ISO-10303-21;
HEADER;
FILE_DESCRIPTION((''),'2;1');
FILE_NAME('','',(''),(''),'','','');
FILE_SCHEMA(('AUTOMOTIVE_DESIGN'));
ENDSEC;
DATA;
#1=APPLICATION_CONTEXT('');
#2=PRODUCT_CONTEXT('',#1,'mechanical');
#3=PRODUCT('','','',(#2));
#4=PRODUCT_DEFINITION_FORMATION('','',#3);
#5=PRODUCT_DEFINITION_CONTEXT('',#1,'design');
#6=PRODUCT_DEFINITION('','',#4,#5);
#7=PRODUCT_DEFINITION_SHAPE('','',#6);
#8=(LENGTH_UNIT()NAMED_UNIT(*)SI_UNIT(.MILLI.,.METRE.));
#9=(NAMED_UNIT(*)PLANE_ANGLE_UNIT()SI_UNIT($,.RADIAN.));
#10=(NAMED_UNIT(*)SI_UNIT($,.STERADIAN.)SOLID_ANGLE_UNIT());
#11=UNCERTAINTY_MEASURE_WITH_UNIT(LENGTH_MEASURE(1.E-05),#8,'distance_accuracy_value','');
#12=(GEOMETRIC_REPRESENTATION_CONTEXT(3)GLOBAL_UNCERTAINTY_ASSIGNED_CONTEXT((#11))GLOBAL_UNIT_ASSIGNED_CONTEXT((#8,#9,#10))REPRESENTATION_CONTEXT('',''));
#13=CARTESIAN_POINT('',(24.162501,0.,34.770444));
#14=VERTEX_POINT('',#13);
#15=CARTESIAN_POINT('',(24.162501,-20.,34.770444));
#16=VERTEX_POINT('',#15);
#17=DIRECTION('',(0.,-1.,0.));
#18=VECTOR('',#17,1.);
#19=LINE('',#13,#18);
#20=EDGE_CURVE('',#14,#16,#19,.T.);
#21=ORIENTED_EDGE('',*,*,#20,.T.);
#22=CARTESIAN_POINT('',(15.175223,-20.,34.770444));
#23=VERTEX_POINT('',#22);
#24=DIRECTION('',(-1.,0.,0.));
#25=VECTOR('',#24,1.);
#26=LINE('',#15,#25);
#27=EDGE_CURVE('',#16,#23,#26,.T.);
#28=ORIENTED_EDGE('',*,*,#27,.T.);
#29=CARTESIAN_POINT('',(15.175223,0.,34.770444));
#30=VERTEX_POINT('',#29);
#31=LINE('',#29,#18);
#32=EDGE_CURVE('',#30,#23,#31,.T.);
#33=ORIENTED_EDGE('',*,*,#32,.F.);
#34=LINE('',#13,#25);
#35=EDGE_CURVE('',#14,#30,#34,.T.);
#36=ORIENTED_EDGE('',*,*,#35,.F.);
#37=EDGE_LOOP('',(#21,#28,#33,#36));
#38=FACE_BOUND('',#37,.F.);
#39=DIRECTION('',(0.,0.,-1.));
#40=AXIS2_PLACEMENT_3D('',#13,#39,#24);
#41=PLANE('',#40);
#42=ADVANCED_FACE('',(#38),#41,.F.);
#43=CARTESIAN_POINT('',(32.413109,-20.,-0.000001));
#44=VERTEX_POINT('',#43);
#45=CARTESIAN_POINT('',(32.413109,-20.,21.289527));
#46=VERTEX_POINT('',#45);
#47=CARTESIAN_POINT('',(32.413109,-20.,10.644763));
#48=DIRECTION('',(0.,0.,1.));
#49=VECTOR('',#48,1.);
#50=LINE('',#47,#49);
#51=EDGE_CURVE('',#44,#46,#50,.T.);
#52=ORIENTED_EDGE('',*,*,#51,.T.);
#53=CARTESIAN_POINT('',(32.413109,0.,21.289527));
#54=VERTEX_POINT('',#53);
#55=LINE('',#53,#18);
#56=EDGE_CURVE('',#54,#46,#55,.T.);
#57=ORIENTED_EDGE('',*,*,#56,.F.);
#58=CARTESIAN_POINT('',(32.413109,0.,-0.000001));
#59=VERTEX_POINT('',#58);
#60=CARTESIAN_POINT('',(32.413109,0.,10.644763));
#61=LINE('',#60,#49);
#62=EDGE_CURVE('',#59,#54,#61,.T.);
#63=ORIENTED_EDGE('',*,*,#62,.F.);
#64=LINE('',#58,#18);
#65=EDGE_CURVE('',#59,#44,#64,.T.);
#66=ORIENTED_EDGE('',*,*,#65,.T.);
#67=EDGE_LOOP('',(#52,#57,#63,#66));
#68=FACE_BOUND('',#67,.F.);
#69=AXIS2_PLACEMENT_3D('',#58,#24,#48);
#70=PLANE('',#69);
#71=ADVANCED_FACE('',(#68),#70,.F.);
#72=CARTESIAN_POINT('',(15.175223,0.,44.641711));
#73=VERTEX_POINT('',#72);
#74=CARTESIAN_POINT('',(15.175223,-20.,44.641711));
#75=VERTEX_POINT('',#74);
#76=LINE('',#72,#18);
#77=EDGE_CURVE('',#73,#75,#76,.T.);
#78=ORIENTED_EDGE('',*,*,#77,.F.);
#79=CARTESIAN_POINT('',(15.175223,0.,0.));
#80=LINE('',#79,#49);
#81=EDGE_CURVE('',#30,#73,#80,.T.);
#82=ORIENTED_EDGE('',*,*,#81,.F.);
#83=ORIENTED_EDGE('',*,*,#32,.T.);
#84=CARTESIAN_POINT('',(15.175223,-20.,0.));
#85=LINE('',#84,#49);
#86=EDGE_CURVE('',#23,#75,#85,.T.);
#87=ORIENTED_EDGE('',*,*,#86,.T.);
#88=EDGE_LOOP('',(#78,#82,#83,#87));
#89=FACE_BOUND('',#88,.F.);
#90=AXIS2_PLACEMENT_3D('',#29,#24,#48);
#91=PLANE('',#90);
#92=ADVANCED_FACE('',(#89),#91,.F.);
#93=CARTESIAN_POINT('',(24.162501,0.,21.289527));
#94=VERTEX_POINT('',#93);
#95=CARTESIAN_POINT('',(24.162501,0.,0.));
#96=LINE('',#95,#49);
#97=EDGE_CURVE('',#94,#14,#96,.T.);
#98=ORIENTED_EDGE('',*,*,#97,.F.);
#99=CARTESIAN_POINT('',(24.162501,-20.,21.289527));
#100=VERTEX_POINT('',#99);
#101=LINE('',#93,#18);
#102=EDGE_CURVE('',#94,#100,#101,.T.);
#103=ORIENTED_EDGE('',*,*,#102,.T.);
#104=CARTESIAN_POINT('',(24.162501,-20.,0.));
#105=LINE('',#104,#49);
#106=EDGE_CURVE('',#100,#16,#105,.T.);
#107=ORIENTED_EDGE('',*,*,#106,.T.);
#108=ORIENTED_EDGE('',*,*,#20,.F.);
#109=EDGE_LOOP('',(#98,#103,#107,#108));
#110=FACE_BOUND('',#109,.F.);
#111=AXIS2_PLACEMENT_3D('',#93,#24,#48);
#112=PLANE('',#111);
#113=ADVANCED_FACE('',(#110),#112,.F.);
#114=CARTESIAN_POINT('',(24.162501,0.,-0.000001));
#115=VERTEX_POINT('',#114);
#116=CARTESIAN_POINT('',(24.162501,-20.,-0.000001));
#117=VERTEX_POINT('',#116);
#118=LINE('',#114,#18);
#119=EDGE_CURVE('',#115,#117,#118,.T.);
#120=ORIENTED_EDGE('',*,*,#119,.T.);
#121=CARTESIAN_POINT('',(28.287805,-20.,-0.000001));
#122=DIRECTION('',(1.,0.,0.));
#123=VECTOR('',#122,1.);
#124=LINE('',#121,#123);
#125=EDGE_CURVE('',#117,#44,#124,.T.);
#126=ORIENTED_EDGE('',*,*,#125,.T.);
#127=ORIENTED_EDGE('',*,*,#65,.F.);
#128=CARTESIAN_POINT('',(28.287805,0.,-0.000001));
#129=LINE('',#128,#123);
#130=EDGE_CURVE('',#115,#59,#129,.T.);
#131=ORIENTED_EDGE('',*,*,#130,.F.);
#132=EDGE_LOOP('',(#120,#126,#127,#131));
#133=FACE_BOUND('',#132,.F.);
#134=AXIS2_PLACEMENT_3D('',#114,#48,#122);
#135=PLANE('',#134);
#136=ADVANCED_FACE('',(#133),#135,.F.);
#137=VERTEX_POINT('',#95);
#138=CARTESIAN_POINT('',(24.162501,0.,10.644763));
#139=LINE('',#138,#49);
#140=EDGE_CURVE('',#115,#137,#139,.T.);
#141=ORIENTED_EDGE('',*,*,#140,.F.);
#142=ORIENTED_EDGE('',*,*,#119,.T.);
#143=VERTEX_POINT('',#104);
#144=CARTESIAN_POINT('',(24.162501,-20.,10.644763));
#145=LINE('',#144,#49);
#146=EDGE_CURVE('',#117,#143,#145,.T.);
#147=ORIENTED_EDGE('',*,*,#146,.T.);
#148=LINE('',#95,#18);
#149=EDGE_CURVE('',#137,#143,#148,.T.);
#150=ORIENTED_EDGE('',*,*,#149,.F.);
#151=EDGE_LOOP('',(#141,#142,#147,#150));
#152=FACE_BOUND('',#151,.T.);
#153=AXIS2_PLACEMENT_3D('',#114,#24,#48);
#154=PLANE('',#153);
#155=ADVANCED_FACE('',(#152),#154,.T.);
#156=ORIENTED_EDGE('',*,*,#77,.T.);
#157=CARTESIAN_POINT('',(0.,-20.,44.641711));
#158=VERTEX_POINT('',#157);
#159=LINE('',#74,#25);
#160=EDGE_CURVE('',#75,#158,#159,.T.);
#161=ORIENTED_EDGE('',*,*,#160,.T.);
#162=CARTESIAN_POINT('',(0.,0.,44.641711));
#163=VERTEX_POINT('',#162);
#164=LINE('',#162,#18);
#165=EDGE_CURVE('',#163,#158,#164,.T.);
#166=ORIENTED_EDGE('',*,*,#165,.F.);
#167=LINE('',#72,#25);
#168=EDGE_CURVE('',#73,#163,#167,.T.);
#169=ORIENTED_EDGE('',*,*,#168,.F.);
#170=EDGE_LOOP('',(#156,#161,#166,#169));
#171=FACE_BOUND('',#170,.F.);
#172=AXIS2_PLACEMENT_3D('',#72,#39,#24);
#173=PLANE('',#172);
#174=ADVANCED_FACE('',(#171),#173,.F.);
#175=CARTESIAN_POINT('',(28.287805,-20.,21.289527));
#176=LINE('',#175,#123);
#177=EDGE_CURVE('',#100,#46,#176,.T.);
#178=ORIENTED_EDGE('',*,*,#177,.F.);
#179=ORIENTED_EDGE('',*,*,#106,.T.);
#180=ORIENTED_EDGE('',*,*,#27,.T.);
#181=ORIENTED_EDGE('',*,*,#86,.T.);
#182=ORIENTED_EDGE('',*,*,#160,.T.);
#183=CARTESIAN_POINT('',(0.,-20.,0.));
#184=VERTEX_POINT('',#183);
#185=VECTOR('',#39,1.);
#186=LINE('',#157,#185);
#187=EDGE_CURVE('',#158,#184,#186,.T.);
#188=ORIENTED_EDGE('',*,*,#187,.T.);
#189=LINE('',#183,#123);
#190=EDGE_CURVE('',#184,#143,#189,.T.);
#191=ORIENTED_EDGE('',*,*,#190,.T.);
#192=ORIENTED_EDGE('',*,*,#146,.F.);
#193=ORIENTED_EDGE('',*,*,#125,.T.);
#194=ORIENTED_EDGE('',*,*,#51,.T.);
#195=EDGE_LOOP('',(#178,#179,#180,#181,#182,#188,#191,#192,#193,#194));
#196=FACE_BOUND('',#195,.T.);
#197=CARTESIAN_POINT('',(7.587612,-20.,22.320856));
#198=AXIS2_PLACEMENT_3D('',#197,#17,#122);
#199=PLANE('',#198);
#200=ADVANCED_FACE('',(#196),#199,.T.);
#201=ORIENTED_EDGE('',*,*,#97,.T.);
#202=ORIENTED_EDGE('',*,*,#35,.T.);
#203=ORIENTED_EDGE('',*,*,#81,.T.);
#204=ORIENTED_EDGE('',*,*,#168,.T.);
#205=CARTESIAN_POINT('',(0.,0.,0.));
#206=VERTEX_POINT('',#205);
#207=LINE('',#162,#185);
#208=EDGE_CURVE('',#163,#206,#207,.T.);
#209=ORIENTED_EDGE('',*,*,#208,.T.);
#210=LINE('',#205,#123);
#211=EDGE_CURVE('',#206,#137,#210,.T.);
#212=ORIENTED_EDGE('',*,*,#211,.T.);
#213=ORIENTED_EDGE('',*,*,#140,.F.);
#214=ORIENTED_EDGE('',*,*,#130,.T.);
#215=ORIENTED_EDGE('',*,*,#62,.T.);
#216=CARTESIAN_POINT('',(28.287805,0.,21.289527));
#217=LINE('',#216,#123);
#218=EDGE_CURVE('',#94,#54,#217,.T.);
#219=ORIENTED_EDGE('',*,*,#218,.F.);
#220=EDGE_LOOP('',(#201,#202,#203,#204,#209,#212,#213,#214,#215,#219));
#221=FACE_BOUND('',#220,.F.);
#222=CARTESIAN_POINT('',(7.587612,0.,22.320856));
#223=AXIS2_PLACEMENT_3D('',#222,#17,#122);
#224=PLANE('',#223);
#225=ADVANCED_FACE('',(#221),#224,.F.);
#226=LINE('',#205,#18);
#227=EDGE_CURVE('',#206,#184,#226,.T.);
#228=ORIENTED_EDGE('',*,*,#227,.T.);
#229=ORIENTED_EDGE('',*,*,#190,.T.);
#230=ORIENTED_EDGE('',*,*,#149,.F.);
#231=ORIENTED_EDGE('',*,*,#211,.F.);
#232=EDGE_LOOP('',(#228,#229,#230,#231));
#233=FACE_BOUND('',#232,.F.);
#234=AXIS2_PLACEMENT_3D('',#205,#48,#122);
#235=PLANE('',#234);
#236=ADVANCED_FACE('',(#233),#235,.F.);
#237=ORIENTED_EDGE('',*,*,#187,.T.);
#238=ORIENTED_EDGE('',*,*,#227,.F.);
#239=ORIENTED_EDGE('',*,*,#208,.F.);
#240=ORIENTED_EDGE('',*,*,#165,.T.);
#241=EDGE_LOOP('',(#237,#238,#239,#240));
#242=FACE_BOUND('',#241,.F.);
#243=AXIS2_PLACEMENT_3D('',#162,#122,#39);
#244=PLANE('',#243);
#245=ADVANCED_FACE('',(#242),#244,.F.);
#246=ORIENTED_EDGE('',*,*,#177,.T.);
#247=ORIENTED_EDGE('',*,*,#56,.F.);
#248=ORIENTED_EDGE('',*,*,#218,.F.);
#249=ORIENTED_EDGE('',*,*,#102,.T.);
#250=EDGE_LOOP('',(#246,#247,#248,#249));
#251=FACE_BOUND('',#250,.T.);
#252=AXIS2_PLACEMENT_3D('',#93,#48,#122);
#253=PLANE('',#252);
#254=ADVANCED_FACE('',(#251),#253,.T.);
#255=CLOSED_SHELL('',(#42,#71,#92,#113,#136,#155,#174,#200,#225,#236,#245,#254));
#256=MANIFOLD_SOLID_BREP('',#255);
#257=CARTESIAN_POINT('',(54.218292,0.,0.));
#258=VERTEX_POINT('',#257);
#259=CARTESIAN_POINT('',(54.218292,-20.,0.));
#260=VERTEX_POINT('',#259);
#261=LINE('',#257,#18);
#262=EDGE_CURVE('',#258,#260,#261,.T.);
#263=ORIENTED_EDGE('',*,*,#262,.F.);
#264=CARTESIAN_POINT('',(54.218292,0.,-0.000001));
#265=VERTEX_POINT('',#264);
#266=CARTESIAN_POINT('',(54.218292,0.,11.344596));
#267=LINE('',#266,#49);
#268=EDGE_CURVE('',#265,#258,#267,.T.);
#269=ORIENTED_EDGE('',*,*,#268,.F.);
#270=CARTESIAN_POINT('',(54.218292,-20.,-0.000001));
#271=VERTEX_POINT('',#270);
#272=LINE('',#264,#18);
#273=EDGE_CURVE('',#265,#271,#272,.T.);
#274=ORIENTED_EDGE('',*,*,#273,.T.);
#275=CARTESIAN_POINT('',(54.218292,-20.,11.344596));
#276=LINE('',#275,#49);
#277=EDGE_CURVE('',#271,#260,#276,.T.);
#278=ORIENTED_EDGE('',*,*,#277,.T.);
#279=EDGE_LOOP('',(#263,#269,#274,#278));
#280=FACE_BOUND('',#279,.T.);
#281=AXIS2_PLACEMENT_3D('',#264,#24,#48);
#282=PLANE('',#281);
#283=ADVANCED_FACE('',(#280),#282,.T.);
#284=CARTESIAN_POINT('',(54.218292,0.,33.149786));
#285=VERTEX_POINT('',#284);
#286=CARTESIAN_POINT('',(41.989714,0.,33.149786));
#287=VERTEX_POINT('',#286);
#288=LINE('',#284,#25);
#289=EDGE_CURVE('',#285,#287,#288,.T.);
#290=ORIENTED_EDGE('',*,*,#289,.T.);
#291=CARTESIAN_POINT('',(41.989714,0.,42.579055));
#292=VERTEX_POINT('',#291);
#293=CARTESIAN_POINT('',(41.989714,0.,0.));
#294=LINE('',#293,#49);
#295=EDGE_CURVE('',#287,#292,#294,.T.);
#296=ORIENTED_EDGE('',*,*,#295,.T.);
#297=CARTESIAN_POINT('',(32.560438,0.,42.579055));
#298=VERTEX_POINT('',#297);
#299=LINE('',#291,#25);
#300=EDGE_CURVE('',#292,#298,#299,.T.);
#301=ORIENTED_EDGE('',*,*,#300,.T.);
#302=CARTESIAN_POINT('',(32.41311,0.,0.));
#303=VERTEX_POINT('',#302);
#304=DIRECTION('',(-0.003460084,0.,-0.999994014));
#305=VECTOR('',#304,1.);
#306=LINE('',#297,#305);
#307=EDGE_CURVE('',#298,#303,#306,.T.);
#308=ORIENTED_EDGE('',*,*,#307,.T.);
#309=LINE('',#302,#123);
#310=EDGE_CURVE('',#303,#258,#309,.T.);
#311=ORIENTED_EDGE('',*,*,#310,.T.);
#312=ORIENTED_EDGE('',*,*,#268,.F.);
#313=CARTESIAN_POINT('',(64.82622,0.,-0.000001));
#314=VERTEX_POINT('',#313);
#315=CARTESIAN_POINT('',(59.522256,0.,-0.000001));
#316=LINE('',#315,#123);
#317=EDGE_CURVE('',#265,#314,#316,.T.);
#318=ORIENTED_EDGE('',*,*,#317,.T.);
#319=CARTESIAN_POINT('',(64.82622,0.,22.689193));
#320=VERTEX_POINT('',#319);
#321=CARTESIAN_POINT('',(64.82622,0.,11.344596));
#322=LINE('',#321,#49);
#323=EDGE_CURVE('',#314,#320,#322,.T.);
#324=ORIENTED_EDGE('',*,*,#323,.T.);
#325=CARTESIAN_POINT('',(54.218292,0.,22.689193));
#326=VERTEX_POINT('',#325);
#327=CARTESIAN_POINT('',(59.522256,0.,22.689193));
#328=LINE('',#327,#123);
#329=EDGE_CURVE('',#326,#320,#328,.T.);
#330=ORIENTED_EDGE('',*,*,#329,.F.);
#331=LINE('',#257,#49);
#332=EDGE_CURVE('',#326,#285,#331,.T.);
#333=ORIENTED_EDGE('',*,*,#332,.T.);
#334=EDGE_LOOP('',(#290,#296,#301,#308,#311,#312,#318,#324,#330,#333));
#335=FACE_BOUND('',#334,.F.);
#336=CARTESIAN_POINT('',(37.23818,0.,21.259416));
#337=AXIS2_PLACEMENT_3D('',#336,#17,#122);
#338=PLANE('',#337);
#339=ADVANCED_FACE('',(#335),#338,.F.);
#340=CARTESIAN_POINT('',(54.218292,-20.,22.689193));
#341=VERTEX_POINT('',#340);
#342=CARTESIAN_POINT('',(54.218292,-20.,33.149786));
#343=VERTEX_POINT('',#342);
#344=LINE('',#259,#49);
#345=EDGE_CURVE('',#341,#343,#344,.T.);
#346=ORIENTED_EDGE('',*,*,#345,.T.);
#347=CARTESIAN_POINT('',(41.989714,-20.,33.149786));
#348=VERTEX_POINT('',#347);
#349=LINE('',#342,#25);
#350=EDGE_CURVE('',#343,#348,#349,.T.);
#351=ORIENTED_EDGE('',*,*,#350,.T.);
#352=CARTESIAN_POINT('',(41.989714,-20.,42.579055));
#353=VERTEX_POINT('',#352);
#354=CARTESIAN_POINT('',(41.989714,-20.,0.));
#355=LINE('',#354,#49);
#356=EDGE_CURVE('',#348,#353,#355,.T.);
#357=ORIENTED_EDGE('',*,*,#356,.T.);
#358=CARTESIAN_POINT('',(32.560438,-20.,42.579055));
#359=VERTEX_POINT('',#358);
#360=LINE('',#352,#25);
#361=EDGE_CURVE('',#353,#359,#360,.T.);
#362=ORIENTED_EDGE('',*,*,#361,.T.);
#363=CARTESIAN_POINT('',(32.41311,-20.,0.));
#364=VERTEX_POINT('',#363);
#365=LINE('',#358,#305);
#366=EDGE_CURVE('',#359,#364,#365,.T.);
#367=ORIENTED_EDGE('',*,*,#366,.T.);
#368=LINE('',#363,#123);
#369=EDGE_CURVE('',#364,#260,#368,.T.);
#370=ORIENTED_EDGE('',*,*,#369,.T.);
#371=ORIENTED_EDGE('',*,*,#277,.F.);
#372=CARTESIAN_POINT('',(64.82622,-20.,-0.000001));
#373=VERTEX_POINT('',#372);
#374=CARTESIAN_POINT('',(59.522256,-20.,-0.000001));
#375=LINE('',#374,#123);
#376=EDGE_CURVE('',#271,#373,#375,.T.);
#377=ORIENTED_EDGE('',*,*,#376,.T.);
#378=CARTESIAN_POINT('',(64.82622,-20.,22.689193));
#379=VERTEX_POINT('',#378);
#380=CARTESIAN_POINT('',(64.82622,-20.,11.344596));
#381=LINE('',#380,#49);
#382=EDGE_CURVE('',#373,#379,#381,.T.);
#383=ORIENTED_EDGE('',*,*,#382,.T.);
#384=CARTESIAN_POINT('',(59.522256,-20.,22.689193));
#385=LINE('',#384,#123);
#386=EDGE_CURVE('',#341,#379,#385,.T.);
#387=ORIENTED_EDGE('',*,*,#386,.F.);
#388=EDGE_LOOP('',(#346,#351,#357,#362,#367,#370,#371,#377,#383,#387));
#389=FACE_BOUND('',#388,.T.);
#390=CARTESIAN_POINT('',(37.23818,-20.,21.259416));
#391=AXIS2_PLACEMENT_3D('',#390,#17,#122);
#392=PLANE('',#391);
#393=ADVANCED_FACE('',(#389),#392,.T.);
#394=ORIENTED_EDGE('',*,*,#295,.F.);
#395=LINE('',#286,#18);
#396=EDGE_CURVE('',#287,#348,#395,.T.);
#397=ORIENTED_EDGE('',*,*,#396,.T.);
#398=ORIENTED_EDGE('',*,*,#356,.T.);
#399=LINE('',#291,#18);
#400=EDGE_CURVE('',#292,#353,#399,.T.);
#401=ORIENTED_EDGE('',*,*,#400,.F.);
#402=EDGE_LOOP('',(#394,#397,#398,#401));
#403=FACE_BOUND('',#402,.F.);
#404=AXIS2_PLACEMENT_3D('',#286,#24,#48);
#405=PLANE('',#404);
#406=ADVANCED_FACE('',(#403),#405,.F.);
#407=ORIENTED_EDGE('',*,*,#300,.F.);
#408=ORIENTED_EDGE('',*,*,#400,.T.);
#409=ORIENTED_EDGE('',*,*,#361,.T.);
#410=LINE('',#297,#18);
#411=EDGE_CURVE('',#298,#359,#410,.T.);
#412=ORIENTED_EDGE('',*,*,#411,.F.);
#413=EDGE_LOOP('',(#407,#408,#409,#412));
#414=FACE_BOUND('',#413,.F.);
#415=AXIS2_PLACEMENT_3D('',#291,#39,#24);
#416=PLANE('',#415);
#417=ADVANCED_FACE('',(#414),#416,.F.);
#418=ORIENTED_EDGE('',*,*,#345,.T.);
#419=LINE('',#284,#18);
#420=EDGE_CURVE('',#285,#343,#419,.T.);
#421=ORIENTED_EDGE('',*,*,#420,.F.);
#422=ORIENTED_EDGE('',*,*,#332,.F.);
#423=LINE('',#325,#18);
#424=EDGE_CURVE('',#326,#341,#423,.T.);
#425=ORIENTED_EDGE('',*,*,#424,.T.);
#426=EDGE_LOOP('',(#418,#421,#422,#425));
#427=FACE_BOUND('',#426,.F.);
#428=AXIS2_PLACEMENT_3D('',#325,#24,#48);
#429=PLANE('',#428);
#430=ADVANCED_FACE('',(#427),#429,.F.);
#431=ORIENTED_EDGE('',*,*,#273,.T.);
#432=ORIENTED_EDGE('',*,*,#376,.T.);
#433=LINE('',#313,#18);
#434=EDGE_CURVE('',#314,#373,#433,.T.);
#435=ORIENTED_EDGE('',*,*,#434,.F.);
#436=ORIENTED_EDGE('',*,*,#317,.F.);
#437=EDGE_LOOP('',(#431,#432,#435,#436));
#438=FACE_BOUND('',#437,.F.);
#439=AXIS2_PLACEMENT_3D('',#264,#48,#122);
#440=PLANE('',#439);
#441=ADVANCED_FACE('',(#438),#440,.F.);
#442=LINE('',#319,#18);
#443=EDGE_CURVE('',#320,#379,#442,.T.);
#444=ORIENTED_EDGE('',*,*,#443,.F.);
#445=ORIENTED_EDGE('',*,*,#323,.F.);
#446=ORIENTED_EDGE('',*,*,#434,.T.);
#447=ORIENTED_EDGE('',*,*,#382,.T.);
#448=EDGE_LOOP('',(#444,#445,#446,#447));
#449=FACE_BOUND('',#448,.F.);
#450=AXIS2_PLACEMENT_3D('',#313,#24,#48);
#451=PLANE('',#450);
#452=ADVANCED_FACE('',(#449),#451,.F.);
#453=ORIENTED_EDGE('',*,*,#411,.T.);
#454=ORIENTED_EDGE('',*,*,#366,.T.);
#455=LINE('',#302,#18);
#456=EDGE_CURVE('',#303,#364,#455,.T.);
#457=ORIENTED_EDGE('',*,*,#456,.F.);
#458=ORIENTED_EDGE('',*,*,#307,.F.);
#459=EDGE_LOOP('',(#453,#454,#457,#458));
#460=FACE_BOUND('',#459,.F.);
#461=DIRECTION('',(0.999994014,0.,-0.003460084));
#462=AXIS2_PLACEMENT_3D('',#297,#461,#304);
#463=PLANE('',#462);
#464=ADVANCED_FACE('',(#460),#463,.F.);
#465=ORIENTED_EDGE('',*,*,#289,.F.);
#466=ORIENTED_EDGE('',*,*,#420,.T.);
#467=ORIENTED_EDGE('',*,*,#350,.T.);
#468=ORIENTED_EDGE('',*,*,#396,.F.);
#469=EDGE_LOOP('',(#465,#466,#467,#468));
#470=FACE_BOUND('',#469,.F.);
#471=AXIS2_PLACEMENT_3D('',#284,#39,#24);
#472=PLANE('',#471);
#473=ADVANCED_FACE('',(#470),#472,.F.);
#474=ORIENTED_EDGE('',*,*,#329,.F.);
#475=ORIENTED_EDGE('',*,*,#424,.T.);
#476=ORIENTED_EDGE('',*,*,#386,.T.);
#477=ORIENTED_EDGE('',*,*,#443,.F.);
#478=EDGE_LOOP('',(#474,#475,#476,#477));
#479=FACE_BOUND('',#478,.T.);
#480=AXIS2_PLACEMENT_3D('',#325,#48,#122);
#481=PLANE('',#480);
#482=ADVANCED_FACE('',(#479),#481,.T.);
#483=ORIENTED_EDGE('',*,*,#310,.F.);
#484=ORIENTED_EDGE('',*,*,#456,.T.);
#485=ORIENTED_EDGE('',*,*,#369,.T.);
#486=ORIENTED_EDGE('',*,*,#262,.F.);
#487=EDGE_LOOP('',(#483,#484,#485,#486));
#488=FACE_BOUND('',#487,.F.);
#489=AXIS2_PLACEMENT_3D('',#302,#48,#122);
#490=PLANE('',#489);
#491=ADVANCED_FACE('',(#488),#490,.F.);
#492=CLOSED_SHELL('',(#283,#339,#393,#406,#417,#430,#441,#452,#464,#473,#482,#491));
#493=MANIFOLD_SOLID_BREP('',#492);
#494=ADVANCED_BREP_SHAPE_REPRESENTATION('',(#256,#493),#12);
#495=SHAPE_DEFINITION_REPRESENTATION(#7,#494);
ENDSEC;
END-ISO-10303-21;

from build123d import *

# Parameters (mm, degrees)
F0_W     = 8.250609
F0_H     = 21.289527
F0_W_2   = 10.607928
F0_H_2   = 22.689193
F1_DEPTH = 20


with BuildPart() as f1:
    # F0 (on Front) → F1 (new body)
    with BuildSketch(Plane.XZ):
        Polygon((0, 44.641711), (0, 0), (15.175223, 0), (15.175223, 34.770444), (15.175223, 44.641711), align=None)
        Polygon((32.560438, 42.579055), (32.41311, 0), (41.989714, 0), (41.989714, 33.149786), (41.989714, 42.579055), align=None)
        Polygon((15.175223, 34.770444), (15.175223, 0), (24.162501, 0), (24.162501, 21.289527), (24.162501, 34.770444), align=None)
        with Locations((28.287805, 10.644763)):
            Rectangle(F0_W, F0_H)
        Polygon((41.989714, 33.149786), (41.989714, 0), (54.218292, 0), (54.218292, 22.689193), (54.218292, 33.149786), align=None)
        with Locations((59.522256, 11.344596)):
            Rectangle(F0_W_2, F0_H_2)
    extrude(amount=F1_DEPTH)


solid = f1.part
